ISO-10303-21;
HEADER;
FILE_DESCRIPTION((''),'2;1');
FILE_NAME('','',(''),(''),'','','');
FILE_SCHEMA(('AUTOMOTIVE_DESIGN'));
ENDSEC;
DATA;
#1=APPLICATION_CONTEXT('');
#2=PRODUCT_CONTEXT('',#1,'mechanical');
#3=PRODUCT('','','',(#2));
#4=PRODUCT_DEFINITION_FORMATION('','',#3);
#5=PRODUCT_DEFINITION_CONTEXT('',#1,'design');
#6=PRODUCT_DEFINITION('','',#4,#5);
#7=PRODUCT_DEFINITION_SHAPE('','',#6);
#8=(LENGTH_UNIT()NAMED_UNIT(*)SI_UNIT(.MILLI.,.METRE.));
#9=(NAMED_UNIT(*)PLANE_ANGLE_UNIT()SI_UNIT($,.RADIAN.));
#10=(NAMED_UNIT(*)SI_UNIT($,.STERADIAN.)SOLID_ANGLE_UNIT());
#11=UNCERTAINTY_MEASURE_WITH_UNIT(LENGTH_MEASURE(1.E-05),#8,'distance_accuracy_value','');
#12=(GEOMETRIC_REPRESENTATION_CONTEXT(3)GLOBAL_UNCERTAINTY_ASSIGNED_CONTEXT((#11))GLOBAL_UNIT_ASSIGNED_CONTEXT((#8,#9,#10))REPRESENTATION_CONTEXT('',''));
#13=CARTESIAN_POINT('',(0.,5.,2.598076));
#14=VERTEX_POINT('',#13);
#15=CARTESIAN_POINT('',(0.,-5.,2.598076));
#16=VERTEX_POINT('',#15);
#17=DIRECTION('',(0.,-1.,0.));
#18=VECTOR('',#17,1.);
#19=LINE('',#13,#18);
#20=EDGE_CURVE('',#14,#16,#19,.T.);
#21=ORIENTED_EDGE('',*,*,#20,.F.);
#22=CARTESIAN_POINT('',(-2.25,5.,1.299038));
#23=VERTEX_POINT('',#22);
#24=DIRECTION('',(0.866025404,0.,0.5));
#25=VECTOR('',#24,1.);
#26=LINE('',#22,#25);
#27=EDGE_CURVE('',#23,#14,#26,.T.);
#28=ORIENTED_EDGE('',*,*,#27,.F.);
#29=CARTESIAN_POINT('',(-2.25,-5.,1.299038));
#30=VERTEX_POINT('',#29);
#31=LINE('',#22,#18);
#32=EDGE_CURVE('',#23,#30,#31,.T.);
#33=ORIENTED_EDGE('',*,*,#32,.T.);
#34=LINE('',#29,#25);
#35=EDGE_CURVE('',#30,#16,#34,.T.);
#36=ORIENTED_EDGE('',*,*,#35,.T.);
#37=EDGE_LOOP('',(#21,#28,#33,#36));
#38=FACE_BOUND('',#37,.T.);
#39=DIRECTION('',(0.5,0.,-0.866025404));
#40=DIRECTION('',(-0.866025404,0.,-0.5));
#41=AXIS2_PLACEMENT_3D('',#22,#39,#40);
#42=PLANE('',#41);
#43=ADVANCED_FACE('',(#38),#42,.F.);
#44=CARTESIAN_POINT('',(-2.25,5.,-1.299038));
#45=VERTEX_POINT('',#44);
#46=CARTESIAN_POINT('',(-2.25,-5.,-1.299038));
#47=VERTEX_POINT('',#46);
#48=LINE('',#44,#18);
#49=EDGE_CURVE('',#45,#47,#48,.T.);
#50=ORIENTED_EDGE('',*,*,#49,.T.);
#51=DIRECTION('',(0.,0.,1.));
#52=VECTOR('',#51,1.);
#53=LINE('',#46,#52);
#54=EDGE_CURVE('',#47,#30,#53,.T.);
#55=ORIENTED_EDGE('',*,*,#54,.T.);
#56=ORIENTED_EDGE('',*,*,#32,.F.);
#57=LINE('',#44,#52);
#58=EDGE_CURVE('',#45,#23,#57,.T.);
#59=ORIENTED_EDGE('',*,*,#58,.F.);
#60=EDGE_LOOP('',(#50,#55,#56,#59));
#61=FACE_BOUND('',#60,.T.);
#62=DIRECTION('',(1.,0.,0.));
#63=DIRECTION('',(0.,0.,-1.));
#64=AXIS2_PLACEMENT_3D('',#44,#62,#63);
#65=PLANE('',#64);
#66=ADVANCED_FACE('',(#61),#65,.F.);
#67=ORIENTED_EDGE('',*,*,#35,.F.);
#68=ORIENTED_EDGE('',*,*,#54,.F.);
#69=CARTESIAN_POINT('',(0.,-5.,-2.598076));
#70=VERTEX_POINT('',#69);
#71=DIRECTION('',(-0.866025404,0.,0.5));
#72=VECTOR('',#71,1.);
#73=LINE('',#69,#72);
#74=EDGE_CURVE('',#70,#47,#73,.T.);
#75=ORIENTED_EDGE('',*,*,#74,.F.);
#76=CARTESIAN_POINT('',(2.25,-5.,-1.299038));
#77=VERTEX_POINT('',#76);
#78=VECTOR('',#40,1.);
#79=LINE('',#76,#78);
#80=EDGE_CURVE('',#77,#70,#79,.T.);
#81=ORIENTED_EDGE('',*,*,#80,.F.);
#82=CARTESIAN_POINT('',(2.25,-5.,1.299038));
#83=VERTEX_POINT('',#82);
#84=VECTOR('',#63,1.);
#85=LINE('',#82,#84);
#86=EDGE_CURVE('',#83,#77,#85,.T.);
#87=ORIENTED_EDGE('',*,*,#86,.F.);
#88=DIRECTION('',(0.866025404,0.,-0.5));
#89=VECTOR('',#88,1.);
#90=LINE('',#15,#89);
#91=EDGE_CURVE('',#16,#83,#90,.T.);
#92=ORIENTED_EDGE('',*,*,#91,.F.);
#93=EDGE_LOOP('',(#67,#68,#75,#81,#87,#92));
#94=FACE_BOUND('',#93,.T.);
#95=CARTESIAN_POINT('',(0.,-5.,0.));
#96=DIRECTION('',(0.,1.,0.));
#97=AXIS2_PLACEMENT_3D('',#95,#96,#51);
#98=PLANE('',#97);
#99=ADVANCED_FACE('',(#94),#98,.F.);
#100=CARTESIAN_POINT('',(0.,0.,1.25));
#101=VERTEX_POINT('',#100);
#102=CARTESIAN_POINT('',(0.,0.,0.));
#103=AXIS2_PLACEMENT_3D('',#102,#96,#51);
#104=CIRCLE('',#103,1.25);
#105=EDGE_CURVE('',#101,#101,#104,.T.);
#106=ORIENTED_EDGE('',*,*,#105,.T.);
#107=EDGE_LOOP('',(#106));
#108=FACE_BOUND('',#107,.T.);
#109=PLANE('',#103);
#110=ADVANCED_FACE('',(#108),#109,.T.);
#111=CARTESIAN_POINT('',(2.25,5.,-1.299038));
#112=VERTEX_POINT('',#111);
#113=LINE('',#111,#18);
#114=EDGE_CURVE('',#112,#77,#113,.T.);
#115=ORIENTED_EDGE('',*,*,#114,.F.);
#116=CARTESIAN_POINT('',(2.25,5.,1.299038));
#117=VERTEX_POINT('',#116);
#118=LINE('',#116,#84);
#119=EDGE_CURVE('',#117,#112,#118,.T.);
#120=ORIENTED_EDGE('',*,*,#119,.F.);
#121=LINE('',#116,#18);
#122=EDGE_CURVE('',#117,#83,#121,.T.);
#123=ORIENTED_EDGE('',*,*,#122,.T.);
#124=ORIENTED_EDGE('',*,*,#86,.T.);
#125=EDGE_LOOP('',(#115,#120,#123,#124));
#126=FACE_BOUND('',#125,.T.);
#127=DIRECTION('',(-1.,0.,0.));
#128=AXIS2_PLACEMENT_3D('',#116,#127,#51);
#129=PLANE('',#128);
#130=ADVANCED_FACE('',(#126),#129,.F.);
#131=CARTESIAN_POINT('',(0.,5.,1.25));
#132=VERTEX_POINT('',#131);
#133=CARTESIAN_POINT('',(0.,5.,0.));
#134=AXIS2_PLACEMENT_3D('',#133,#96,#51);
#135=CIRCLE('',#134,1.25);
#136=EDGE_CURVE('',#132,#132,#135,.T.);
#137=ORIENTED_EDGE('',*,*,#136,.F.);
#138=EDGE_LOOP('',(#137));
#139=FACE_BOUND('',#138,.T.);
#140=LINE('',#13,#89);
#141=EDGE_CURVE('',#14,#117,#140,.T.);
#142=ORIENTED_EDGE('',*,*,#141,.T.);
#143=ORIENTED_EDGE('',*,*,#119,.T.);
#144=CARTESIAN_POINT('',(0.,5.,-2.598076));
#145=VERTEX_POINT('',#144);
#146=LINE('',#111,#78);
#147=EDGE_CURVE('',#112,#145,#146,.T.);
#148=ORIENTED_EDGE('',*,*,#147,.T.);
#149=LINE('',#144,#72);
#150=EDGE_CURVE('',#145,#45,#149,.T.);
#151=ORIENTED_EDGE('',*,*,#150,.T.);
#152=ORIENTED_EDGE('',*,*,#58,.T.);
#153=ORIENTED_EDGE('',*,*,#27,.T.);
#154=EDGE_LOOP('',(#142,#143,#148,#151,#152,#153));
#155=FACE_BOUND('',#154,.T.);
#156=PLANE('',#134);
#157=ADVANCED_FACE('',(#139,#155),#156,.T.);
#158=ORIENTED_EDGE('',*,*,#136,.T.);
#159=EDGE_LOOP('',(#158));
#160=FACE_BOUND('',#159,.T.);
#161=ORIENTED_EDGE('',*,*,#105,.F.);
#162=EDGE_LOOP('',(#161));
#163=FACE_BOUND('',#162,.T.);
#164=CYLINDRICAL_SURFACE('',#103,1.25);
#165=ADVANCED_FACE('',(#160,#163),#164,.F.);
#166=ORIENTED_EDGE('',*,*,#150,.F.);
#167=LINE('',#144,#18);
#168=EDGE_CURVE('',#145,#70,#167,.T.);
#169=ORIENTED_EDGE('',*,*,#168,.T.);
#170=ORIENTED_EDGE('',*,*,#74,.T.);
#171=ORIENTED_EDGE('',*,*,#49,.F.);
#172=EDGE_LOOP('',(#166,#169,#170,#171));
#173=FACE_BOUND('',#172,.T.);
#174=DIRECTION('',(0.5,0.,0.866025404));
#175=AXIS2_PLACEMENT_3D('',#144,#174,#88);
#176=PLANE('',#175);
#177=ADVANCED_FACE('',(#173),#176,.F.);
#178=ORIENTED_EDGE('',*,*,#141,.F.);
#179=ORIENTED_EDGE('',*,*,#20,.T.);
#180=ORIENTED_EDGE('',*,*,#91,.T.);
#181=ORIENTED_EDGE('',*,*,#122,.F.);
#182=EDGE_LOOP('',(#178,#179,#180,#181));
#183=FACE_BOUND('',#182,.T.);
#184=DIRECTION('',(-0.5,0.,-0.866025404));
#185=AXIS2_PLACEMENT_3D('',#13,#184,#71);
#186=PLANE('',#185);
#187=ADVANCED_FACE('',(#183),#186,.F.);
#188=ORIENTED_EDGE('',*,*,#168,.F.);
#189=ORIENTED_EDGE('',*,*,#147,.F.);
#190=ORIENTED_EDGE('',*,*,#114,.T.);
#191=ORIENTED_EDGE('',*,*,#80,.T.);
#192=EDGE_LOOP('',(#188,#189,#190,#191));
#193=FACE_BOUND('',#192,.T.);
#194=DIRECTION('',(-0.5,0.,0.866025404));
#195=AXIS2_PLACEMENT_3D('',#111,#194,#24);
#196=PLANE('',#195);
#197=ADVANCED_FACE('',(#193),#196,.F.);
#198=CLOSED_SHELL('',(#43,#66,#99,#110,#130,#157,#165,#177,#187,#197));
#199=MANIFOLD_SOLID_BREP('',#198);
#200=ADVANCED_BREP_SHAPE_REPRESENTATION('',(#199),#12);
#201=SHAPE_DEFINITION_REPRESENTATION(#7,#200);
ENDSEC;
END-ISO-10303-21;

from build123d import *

# Parameters (mm, degrees)
EXTRUDE_1_DEPTH     = 5
SKETCH_2_R          = 1.25
CUT_EXTRUDE_1_DEPTH = 5


with BuildPart() as part:
    # 草图1 → 凸台-拉伸1 (new body, symmetric)
    with BuildSketch(Plane(origin=(0, 0, 0), x_dir=(1, 0, 0), z_dir=(0, 1, 0))):
        Polygon((0, -2.598076211), (2.25, -1.299038106), (2.25, 1.299038106), (0, 2.598076211), (-2.25, 1.299038106), (-2.25, -1.299038106), align=None)
    extrude(amount=EXTRUDE_1_DEPTH, both=True)

    # 草图2 → 切除-拉伸1 (cut)
    with BuildSketch(Plane(origin=(0, 5, 0), x_dir=(1, 0, 0), z_dir=(0, 1, 0))):
        Circle(SKETCH_2_R)
    extrude(amount=-CUT_EXTRUDE_1_DEPTH, mode=Mode.SUBTRACT)


solid = part.part
